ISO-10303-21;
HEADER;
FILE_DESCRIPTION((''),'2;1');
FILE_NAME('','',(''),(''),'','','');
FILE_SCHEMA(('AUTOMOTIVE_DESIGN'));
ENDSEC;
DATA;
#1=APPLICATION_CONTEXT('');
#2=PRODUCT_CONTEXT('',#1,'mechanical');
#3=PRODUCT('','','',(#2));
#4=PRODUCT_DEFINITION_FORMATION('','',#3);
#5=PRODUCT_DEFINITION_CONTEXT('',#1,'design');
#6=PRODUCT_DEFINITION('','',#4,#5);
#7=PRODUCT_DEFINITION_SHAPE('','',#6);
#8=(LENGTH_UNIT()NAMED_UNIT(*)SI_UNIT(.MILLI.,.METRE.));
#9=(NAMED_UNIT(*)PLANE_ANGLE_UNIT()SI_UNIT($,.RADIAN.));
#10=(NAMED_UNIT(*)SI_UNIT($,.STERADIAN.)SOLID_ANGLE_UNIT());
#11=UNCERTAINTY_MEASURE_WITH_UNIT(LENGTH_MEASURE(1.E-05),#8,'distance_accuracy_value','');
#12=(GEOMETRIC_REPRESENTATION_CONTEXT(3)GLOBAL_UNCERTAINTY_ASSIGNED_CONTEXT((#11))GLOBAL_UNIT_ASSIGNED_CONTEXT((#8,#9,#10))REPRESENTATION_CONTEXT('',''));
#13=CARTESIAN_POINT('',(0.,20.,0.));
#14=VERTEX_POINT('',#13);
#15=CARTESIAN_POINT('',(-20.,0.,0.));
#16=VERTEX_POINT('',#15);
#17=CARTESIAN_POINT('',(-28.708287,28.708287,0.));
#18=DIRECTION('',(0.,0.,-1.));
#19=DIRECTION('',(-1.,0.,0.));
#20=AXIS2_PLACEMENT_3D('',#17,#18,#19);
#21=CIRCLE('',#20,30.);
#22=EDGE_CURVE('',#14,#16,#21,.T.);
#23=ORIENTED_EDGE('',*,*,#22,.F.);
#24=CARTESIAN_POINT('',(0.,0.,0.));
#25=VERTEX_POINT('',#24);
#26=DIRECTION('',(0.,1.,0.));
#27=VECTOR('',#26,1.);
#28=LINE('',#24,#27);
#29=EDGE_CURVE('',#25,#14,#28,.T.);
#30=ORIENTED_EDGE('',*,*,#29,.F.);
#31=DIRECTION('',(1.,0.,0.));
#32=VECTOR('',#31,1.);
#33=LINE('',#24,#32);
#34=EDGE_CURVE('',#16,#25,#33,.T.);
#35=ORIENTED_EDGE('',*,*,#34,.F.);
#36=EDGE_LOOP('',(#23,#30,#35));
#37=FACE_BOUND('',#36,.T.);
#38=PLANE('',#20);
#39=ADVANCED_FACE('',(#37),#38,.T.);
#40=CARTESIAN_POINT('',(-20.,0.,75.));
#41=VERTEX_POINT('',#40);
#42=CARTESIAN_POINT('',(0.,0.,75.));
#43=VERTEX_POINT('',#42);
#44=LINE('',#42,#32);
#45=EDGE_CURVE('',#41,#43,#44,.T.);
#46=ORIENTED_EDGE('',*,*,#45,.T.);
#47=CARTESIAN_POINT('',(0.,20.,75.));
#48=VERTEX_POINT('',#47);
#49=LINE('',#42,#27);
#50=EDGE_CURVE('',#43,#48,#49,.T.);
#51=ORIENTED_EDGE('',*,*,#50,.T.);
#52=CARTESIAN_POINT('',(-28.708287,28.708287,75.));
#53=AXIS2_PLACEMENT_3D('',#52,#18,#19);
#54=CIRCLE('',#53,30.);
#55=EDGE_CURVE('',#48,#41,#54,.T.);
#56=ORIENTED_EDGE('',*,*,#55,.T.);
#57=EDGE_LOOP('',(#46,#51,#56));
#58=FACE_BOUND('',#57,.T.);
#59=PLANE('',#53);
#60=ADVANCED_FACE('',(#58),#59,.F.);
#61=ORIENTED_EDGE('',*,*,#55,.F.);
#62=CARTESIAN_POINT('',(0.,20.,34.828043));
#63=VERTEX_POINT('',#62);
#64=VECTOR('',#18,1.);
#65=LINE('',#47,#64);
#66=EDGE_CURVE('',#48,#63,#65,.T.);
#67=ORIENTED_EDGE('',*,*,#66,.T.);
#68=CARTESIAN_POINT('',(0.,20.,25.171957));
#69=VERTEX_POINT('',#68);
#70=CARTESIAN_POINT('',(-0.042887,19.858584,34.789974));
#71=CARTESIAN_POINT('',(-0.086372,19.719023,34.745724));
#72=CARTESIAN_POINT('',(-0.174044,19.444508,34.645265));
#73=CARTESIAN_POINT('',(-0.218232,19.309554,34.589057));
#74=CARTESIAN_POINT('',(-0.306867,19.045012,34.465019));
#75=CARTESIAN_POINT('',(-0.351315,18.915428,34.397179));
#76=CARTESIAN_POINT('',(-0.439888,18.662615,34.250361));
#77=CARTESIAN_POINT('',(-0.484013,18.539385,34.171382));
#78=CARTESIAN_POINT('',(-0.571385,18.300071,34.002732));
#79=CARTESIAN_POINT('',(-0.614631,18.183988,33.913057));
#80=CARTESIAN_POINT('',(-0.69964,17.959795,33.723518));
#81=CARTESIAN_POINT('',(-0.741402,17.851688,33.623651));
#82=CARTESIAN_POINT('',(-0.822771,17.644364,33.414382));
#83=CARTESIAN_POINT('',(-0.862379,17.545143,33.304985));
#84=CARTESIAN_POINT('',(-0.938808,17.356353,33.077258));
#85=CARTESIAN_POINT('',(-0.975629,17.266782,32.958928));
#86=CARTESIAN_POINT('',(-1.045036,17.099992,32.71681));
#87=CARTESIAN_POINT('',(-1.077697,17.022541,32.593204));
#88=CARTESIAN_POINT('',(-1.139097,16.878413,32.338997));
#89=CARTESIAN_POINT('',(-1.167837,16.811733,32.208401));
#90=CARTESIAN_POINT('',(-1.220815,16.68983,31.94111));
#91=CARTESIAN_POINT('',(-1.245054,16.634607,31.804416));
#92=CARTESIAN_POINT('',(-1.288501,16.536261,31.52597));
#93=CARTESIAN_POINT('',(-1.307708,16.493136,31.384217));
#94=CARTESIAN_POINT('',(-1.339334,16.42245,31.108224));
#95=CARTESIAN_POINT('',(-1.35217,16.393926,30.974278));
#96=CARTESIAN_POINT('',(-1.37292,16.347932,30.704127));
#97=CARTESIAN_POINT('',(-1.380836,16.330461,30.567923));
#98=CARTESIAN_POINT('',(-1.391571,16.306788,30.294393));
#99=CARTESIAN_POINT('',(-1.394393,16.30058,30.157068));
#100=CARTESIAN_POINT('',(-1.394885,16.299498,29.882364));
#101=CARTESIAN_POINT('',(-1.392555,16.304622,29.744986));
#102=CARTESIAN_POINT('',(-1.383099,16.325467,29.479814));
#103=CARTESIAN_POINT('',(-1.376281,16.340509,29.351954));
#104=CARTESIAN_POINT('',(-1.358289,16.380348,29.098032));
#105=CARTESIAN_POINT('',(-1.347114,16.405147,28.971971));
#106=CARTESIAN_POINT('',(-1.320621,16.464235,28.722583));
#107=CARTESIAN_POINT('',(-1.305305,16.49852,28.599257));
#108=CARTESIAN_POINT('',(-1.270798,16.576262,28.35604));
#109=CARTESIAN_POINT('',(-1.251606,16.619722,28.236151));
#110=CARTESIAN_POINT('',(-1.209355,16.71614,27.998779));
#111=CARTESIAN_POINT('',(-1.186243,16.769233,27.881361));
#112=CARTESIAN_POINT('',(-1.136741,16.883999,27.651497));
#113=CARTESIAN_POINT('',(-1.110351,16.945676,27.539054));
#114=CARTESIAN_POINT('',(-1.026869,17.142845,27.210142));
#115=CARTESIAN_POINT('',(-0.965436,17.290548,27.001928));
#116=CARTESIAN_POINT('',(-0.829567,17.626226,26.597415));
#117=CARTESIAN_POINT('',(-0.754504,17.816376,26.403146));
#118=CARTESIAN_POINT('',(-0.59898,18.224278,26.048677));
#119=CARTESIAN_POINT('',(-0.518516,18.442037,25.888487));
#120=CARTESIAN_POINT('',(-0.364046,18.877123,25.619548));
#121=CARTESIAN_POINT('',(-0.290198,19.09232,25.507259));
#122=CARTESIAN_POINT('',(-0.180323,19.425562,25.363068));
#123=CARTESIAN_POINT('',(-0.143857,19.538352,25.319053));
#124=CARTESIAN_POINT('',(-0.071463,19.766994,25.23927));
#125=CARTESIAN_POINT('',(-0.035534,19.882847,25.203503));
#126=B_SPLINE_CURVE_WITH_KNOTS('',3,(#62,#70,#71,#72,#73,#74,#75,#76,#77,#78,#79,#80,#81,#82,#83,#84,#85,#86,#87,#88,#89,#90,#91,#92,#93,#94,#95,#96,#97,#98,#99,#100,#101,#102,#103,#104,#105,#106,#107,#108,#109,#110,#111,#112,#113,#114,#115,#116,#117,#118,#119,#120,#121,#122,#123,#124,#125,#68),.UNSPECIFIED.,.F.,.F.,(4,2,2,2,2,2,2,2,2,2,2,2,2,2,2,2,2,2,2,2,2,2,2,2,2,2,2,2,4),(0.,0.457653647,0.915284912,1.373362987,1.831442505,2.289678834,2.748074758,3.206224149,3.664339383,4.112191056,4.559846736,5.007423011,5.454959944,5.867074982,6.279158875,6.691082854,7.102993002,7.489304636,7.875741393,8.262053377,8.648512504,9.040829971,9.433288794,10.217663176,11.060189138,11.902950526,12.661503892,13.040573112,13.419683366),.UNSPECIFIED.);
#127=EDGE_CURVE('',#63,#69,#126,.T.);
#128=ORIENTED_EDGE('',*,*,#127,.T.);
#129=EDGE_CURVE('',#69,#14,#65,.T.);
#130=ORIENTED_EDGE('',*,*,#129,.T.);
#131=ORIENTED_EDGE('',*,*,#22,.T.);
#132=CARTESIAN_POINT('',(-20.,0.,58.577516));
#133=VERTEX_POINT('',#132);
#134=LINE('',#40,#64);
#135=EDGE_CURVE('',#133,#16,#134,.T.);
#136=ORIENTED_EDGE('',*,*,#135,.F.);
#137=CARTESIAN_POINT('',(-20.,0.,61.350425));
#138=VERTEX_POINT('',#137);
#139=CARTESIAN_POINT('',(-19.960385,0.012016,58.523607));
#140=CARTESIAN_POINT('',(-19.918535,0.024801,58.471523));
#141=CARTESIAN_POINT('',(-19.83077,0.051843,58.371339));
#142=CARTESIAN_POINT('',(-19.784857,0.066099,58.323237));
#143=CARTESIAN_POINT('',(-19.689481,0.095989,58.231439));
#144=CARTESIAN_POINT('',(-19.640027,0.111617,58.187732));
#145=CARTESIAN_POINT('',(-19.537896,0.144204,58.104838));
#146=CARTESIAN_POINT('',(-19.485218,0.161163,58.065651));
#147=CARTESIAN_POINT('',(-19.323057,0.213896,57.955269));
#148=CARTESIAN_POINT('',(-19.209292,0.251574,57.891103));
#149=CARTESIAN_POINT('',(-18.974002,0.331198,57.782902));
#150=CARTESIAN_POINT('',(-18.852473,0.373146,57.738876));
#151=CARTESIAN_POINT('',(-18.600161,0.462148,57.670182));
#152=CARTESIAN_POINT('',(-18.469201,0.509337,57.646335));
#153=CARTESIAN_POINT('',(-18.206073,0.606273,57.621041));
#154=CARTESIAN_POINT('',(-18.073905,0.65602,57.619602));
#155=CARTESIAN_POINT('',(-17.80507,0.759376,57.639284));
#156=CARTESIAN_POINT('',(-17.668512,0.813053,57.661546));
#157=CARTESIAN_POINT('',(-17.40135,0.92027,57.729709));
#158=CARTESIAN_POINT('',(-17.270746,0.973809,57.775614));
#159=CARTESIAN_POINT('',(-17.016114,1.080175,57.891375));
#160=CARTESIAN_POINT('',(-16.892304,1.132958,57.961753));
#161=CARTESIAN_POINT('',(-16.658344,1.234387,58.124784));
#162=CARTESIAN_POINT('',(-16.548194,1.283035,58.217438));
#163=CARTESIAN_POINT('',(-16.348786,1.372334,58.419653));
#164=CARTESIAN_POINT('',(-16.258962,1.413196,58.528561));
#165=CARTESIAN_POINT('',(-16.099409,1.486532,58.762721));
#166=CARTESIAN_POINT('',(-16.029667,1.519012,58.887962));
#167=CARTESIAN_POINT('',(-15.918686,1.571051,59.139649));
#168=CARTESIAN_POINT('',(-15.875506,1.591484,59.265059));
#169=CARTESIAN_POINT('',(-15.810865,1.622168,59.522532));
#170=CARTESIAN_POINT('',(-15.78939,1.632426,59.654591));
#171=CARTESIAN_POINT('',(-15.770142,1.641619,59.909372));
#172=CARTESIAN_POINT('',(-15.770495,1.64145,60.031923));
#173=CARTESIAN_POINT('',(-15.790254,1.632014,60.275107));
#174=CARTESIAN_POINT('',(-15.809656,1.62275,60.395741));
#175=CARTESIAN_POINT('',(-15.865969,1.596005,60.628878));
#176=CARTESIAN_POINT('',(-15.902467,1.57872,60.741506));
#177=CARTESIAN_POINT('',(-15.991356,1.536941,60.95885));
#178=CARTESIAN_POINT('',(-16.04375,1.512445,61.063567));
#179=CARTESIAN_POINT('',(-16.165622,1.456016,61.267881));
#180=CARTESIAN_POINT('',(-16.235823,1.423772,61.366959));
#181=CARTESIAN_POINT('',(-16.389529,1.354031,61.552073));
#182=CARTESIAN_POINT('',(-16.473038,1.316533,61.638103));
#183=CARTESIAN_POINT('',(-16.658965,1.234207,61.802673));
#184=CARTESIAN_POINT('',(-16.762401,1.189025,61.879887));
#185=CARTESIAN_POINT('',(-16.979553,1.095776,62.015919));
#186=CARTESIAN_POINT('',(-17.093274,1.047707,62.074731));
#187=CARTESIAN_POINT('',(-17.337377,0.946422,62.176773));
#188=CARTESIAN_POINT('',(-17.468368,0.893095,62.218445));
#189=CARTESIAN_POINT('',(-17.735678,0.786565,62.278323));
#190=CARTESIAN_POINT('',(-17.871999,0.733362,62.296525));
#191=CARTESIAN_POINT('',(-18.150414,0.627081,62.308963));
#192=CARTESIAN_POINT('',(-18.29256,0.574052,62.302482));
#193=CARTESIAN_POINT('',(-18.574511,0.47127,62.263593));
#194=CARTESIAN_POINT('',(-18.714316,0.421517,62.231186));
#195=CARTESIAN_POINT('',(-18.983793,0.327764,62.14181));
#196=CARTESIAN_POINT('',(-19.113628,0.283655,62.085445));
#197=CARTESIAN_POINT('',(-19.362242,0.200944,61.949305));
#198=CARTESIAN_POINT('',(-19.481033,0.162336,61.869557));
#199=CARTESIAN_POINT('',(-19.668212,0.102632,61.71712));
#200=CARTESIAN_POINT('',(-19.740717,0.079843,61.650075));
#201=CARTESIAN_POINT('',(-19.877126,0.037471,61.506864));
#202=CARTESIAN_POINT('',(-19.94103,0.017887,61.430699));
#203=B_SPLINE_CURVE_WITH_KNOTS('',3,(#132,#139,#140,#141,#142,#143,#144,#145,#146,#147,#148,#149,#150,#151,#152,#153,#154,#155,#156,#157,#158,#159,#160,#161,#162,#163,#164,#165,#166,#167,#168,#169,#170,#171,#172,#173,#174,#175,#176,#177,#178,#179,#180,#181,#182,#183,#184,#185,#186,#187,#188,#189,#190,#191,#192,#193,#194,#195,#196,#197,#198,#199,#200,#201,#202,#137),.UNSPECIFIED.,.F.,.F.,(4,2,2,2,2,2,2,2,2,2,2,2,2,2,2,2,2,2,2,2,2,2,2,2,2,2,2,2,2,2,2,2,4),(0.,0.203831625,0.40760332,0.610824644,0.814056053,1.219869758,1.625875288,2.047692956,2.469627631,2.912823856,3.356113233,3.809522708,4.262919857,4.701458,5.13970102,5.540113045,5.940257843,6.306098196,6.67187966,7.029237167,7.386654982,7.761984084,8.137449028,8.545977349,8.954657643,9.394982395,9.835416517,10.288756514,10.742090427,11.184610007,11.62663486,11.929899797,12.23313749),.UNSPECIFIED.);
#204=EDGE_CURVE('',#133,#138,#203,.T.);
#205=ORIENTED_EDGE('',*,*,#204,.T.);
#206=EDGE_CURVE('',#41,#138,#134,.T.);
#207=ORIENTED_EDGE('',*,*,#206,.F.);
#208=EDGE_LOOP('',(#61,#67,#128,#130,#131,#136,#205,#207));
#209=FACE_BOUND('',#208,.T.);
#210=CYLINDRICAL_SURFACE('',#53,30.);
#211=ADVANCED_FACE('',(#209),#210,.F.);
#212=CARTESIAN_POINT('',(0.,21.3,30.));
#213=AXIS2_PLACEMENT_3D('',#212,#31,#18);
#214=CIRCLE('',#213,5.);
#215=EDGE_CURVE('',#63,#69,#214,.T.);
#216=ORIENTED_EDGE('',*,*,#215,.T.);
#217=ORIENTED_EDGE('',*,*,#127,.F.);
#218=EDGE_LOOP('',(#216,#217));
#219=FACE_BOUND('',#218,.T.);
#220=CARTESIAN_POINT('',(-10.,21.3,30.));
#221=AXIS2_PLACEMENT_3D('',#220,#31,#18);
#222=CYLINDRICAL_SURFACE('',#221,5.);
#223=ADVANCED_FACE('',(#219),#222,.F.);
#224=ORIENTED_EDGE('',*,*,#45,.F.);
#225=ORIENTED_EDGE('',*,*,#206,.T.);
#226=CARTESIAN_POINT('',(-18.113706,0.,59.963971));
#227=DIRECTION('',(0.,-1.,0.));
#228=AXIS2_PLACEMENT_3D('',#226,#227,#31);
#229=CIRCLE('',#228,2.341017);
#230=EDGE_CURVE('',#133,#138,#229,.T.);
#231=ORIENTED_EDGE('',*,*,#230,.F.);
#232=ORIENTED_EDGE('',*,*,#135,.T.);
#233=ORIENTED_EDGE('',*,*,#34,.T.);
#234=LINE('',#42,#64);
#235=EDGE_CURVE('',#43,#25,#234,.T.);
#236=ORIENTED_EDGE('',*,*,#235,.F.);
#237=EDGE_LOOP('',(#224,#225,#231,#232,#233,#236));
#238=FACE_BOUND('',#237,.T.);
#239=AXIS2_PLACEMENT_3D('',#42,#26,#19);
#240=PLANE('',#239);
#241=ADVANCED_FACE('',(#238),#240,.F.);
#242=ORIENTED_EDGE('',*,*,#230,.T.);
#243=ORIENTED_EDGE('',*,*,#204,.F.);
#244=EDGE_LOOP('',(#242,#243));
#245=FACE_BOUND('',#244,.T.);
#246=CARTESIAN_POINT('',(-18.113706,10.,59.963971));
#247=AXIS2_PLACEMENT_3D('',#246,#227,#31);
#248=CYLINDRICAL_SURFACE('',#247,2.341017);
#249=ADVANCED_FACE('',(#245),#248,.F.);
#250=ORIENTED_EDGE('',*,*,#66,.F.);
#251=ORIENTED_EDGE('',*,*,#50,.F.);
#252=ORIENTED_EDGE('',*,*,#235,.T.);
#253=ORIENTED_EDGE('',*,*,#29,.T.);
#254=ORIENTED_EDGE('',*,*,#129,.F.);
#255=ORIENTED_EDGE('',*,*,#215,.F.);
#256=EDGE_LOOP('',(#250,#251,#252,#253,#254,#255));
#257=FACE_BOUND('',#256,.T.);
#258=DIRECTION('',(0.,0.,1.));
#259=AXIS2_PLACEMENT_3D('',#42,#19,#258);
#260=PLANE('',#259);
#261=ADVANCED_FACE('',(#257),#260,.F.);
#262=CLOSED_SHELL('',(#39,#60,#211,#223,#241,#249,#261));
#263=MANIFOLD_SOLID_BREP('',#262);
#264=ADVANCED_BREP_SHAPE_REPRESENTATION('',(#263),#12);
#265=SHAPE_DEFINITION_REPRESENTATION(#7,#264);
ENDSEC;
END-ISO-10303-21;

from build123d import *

# Parameters (mm, degrees)
BOSS_EXTRUDE1_DEPTH = 75
SKETCH2_R           = 5
CUT_EXTRUDE1_DEPTH  = 10
SKETCH4_R           = 2.341017376
CUT_EXTRUDE2_DEPTH  = 10


with BuildPart() as part:
    # Sketch1 → Boss-Extrude1 (new body)
    with BuildSketch(Plane.XY):
        with BuildLine():
            Line((0, 0), (0, 20))
            ThreePointArc((0, 20), (-7.495083498, 7.495083498), (-20, 0))
            Line((-20, 0), (0, 0))
        make_face()
    extrude(amount=BOSS_EXTRUDE1_DEPTH)

    # Sketch2 → Cut-Extrude1 (cut)
    with BuildSketch(Plane(origin=(0, 0, 0), x_dir=(0, 0, -1), z_dir=(1, 0, 0))):
        with Locations((-30, 21.3)):
            Circle(SKETCH2_R)
    extrude(amount=-CUT_EXTRUDE1_DEPTH, mode=Mode.SUBTRACT)

    # Sketch4 → Cut-Extrude2 (cut)
    with BuildSketch(Plane(origin=(0, 0, 0), x_dir=(-1, 0, 0), z_dir=(0, -1, 0))):
        with Locations((18.11370574, -59.963970786)):
            Circle(SKETCH4_R)
    extrude(amount=-CUT_EXTRUDE2_DEPTH, mode=Mode.SUBTRACT)


solid = part.part
